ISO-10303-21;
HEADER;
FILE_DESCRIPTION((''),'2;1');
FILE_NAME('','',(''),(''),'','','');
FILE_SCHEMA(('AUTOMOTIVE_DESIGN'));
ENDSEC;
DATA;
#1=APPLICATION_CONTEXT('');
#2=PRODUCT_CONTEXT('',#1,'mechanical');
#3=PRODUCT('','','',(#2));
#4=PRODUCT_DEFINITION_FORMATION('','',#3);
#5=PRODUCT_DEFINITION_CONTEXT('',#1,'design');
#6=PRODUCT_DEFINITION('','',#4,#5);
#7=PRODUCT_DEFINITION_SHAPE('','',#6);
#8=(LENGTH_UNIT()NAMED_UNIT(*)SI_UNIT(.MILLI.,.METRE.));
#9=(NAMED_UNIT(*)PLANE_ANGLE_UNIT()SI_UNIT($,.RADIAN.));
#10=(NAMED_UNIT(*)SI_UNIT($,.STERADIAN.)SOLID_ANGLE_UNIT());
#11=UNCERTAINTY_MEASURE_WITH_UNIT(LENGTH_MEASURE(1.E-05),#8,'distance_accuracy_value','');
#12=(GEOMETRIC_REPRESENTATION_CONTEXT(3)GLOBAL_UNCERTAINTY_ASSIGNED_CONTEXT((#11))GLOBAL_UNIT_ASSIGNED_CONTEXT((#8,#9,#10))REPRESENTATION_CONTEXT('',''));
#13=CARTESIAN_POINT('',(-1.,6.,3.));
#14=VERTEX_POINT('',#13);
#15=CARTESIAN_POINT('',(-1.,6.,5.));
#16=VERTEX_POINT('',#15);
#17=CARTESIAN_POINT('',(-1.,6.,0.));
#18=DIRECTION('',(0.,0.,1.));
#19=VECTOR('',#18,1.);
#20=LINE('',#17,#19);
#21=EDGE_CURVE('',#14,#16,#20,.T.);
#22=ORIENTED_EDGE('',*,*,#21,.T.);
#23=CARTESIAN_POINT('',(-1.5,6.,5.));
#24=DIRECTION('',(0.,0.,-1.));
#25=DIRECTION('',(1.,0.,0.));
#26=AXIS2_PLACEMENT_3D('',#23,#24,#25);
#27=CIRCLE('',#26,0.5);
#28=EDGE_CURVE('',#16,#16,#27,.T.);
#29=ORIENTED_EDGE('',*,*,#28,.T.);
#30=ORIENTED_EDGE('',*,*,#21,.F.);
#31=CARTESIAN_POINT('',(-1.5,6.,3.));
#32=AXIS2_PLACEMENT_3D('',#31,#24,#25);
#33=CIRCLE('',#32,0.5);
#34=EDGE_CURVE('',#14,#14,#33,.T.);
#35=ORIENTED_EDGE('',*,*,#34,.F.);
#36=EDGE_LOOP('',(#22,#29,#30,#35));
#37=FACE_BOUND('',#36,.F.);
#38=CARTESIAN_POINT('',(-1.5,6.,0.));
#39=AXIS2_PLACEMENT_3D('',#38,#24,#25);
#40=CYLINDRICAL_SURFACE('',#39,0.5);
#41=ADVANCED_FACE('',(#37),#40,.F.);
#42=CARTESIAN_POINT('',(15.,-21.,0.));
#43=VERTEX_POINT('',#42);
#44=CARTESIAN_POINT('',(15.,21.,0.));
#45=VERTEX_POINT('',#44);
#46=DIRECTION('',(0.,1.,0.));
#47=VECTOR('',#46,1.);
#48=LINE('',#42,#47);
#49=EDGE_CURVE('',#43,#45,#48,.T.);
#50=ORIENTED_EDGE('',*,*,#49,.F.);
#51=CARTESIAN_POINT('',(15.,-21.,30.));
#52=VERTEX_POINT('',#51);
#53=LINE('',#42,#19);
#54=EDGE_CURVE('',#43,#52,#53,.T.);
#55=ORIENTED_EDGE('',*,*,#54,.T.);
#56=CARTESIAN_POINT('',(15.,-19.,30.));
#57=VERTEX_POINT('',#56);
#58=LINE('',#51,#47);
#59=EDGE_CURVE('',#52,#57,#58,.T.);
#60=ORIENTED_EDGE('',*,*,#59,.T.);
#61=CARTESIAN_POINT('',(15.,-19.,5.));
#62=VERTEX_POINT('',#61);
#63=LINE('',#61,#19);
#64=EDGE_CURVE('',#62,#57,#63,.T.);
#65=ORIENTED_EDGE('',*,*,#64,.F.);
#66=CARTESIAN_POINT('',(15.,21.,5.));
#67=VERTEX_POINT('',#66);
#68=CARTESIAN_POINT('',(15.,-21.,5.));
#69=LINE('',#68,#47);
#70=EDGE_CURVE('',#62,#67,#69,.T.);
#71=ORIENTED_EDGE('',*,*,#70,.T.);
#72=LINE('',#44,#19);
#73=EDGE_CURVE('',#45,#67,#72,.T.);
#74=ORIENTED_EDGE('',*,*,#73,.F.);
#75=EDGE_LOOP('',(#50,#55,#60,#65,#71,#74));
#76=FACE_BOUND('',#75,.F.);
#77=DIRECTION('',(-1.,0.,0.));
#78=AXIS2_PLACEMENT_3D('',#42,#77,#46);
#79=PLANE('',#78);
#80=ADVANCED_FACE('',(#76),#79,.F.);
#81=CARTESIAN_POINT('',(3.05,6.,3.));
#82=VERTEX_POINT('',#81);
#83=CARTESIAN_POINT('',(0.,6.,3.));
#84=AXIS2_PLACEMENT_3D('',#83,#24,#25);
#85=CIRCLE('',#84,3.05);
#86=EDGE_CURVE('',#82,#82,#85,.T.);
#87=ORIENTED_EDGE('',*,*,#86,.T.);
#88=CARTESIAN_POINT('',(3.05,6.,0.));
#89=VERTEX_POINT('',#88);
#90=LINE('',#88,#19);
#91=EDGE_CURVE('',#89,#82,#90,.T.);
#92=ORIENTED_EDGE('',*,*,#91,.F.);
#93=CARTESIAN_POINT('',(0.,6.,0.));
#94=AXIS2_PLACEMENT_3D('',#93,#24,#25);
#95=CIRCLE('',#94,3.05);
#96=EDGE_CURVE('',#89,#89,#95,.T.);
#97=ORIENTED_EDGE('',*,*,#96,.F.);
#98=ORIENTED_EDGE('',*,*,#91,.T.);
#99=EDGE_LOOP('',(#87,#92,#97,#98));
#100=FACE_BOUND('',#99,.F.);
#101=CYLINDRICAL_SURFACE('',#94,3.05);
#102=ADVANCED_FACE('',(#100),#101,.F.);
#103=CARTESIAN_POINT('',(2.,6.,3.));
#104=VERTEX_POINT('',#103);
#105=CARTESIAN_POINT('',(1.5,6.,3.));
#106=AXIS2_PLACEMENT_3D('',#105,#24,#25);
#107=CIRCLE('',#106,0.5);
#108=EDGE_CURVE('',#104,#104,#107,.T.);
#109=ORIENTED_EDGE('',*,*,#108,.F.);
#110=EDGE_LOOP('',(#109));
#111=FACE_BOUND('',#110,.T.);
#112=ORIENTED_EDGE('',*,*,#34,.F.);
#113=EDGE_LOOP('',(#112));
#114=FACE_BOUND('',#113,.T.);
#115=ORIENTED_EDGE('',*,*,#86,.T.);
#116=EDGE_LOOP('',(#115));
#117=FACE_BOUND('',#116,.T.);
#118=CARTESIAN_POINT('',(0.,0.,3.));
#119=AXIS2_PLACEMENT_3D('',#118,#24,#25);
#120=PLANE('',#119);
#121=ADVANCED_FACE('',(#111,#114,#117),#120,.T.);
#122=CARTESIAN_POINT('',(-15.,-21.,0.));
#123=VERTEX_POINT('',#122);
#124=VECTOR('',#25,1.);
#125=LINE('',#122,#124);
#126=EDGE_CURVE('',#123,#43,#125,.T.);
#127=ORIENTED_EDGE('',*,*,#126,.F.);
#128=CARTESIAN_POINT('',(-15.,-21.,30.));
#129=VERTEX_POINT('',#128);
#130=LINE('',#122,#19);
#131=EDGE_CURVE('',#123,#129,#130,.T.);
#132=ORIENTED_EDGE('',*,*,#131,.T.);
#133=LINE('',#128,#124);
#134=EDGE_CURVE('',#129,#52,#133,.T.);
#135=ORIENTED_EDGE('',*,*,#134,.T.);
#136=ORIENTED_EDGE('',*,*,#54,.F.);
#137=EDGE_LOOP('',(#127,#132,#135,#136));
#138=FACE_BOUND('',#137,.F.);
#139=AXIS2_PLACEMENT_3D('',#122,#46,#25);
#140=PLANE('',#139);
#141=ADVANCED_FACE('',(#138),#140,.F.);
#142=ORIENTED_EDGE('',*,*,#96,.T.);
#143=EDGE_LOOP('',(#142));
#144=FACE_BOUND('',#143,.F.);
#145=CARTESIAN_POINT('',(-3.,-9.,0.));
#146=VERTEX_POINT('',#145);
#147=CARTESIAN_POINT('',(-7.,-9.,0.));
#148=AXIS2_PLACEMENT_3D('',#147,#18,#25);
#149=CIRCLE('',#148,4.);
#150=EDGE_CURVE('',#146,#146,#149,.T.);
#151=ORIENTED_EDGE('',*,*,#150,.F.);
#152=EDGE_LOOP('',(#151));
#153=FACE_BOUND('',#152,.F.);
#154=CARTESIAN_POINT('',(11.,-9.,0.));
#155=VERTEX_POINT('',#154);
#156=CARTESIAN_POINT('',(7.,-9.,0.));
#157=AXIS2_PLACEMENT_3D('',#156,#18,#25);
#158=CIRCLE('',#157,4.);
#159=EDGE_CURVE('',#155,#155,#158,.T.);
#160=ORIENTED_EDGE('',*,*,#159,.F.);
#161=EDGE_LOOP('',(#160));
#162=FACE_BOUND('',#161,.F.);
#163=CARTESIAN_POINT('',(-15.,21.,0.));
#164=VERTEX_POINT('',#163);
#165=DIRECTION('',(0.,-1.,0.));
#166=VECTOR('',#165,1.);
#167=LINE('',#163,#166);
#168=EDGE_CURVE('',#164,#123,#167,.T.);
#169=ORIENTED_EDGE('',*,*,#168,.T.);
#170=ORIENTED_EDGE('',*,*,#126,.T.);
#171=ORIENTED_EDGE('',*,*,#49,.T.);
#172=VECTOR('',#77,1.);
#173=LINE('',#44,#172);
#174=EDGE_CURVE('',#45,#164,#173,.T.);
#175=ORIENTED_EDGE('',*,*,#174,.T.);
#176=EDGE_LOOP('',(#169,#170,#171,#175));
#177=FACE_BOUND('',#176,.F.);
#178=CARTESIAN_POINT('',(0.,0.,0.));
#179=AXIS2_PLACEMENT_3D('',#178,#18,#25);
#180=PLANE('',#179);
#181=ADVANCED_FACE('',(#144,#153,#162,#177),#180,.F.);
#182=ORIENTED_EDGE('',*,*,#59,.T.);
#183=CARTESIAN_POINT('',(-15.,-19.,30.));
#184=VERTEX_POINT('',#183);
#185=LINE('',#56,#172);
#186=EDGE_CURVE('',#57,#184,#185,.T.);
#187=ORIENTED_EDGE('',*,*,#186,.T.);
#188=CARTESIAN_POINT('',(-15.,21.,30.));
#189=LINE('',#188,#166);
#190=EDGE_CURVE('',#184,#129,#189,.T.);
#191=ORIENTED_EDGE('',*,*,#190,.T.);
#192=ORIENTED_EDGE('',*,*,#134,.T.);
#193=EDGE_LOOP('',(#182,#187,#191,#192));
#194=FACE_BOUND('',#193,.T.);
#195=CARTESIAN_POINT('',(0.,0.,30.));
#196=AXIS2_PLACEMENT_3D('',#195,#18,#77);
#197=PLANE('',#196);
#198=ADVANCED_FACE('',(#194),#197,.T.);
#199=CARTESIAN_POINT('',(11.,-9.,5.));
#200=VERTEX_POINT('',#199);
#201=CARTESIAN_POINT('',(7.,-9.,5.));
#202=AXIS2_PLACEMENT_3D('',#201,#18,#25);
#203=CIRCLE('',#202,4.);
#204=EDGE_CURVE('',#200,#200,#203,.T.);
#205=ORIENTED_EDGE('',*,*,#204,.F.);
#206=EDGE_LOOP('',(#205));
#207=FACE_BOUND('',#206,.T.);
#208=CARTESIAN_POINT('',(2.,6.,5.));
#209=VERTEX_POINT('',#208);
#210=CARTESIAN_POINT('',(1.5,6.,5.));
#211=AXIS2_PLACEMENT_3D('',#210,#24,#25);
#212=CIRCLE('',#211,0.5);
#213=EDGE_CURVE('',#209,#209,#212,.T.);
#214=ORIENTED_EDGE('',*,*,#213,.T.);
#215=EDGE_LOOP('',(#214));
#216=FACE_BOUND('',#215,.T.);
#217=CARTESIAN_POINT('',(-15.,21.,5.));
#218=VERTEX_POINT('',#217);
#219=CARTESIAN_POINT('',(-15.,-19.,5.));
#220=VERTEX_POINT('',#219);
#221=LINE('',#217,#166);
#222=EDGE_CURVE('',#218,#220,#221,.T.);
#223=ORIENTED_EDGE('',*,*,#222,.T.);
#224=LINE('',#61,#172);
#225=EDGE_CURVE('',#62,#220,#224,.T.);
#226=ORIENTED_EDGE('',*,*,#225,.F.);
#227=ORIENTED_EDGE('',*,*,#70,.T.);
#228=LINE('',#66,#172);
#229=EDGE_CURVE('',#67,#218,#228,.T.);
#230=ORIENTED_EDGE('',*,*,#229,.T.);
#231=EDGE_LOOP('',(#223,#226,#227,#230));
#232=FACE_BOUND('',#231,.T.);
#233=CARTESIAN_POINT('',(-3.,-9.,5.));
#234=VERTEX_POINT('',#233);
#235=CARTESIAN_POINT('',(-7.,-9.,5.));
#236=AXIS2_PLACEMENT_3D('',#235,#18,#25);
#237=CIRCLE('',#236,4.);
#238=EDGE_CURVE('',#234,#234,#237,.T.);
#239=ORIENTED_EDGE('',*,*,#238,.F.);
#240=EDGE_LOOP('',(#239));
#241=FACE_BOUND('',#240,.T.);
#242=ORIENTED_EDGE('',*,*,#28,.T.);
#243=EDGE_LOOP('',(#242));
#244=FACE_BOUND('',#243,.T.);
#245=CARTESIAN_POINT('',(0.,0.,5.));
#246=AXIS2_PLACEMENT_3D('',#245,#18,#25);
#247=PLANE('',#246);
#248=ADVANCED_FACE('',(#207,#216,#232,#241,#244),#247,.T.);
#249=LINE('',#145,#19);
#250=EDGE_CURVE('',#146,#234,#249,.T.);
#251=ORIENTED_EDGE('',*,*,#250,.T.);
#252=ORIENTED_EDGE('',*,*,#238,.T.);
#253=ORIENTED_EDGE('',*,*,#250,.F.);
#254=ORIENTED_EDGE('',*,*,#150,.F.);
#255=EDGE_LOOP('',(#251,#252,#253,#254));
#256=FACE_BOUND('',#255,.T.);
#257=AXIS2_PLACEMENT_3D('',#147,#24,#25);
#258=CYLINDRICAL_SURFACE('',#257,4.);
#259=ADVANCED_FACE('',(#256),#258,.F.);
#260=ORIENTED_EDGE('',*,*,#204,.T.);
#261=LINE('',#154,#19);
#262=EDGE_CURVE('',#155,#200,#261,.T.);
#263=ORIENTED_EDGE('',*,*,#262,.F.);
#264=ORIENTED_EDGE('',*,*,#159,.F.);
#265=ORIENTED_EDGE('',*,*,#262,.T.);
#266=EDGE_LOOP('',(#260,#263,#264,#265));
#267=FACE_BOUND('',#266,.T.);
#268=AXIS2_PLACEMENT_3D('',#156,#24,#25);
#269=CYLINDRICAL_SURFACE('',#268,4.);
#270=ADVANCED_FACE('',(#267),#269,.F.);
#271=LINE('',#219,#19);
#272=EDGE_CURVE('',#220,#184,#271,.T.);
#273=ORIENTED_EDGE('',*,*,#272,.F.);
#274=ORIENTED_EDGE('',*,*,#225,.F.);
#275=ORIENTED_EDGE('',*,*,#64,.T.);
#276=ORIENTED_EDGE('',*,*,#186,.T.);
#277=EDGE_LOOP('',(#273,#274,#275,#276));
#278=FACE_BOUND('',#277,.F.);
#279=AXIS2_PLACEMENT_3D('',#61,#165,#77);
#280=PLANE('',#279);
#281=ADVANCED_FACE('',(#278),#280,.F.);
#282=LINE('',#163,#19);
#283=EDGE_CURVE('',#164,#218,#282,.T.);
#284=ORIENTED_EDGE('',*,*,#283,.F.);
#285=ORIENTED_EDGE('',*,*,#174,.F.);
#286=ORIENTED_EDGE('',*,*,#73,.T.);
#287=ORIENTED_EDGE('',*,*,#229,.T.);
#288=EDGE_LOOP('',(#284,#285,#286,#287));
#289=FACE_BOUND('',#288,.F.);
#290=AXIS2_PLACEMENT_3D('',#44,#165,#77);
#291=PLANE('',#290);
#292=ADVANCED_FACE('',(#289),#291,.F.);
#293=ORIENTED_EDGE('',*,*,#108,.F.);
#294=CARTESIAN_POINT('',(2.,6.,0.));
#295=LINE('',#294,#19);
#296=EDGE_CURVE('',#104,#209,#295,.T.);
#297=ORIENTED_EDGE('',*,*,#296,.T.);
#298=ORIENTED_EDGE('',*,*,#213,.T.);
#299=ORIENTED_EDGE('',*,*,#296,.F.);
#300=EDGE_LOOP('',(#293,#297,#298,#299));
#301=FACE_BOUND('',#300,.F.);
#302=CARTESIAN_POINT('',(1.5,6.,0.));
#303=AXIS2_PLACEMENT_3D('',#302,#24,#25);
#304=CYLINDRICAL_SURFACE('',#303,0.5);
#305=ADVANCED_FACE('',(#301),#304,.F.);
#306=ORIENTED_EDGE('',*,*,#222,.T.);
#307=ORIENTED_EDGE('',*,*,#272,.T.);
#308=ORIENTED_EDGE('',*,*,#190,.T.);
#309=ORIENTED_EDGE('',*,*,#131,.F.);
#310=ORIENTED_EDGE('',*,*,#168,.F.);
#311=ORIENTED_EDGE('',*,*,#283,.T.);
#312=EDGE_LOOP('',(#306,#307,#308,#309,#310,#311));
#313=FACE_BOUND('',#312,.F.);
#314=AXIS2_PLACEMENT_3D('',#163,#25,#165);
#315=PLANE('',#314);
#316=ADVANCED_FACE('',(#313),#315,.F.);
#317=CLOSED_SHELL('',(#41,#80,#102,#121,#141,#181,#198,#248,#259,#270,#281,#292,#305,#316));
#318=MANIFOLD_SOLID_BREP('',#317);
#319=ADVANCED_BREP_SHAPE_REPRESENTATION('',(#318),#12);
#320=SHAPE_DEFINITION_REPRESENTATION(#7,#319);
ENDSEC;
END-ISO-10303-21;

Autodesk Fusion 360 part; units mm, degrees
sketch "Sketch1" plane through (0, 0, 0) normal (0, 0, 1) x (1, 0, 0)
  line L0 (-15, -21) -> (15, -21)
  line L1 (15, -21) -> (15, 21)
  line L2 (15, 21) -> (-15, 21)
  line L3 (-15, 21) -> (-15, -21)
  line L4 (-15, -21) -> (15, 21) construction
  line L5 (15, -21) -> (-15, 21) construction
  line L6 (0, -21) -> (7, -21) construction
  line L7 (7, -21) -> (7, -9) construction
  line L8 (7, -9) -> (0, -9) construction
  line L9 (0, -9) -> (0, -21) construction
  line L10 (0, -21) -> (-7, -21) construction
  line L11 (-7, -21) -> (-7, -9) construction
  line L12 (-7, -9) -> (0, -9) construction
  line L13 (0, -9) -> (0, -21) construction
  circle A0 centre (-7, -9) radius 4
  circle A1 centre (7, -9) radius 4
  dimension "d1" = 30
  dimension "d2" = 42
  dimension "d3" = 7
  dimension "d4" = 12
  dimension "d5" = 7
  dimension "d6" = 12
  dimension "d7" = 8
  dimension "d8" = 8
extrude "Extrude1" add sketch "Sketch1" along normal blind 5 makes body 1
sketch "Sketch2" plane through (0, 0, 5) normal (0, 0, 1) x (-1, 0, 0)
  circle A0 centre (-7, 9) radius 4
  circle A1 centre (7, 9) radius 4
  line L0 (15, -21) -> (15, 21)
  line L1 (15, 21) -> (-15, 21)
  line L2 (-15, 21) -> (-15, -21)
  line L3 (-15, -21) -> (15, -21)
  line L4 (15, 21) -> (-15, 21)
  line L5 (-15, 21) -> (-15, 19)
  line L6 (-15, 19) -> (15, 19)
  line L7 (15, 19) -> (15, 21)
  dimension "d11" = 30
  dimension "d12" = 2
extrude "Extrude2" add sketch "Sketch2" along normal blind 25 contours L0 L1 L2 L4 L5 L6 L7 bodies 1
sketch "Sketch3" plane through (0, 0, 0) normal (0, 0, -1) x (1, 0, 0)
  circle A0 centre (7, 9) radius 4
  circle A1 centre (-7, 9) radius 4
  line L0 (-15, 21) -> (-15, -21)
  line L1 (-15, -21) -> (15, -21)
  line L2 (15, -21) -> (15, 21)
  line L3 (15, 21) -> (-15, 21)
  line L4 (0, 21) -> (-1.5, 21) construction
  line L5 (-1.5, 21) -> (-1.5, -6) construction
  line L6 (-1.5, -6) -> (0, -6) construction
  line L7 (0, -6) -> (0, 21) construction
  line L8 (0, 21) -> (1.5, 21) construction
  line L9 (1.5, 21) -> (1.5, -6) construction
  line L10 (1.5, -6) -> (0, -6) construction
  line L11 (0, -6) -> (0, 21) construction
  circle A2 centre (0, -6) radius 3.05
  circle A3 centre (-1.5, -6) radius 0.5
  circle A4 centre (1.5, -6) radius 0.5
  dimension "d15" = 1.5
  dimension "d16" = 27
  dimension "d17" = 27
  dimension "d18" = 6.1
  dimension "d19" = 1
  dimension "d20" = 1
extrude "Extrude3" cut sketch "Sketch3" against normal blind 3 contours A2 bodies 1
extrude "Extrude4" cut 2 faces at (1.3037, 5.8866, 0) (-1.4875, 6.1662, 0) along direction (0, 0, -1) up to surface end surface through (0, 0, 5) normal (0, 0, 1) offset 0 on bodies 1 bodies 1
copy_body "Body->Comp1" bodies 1 removing the originals makes body 2 in component "LED_Holder"
component "LED_Holder" placed x (1, 0, 0) y (0, 1, 0) z (0, 0, 1) at (0, 0, 0)
